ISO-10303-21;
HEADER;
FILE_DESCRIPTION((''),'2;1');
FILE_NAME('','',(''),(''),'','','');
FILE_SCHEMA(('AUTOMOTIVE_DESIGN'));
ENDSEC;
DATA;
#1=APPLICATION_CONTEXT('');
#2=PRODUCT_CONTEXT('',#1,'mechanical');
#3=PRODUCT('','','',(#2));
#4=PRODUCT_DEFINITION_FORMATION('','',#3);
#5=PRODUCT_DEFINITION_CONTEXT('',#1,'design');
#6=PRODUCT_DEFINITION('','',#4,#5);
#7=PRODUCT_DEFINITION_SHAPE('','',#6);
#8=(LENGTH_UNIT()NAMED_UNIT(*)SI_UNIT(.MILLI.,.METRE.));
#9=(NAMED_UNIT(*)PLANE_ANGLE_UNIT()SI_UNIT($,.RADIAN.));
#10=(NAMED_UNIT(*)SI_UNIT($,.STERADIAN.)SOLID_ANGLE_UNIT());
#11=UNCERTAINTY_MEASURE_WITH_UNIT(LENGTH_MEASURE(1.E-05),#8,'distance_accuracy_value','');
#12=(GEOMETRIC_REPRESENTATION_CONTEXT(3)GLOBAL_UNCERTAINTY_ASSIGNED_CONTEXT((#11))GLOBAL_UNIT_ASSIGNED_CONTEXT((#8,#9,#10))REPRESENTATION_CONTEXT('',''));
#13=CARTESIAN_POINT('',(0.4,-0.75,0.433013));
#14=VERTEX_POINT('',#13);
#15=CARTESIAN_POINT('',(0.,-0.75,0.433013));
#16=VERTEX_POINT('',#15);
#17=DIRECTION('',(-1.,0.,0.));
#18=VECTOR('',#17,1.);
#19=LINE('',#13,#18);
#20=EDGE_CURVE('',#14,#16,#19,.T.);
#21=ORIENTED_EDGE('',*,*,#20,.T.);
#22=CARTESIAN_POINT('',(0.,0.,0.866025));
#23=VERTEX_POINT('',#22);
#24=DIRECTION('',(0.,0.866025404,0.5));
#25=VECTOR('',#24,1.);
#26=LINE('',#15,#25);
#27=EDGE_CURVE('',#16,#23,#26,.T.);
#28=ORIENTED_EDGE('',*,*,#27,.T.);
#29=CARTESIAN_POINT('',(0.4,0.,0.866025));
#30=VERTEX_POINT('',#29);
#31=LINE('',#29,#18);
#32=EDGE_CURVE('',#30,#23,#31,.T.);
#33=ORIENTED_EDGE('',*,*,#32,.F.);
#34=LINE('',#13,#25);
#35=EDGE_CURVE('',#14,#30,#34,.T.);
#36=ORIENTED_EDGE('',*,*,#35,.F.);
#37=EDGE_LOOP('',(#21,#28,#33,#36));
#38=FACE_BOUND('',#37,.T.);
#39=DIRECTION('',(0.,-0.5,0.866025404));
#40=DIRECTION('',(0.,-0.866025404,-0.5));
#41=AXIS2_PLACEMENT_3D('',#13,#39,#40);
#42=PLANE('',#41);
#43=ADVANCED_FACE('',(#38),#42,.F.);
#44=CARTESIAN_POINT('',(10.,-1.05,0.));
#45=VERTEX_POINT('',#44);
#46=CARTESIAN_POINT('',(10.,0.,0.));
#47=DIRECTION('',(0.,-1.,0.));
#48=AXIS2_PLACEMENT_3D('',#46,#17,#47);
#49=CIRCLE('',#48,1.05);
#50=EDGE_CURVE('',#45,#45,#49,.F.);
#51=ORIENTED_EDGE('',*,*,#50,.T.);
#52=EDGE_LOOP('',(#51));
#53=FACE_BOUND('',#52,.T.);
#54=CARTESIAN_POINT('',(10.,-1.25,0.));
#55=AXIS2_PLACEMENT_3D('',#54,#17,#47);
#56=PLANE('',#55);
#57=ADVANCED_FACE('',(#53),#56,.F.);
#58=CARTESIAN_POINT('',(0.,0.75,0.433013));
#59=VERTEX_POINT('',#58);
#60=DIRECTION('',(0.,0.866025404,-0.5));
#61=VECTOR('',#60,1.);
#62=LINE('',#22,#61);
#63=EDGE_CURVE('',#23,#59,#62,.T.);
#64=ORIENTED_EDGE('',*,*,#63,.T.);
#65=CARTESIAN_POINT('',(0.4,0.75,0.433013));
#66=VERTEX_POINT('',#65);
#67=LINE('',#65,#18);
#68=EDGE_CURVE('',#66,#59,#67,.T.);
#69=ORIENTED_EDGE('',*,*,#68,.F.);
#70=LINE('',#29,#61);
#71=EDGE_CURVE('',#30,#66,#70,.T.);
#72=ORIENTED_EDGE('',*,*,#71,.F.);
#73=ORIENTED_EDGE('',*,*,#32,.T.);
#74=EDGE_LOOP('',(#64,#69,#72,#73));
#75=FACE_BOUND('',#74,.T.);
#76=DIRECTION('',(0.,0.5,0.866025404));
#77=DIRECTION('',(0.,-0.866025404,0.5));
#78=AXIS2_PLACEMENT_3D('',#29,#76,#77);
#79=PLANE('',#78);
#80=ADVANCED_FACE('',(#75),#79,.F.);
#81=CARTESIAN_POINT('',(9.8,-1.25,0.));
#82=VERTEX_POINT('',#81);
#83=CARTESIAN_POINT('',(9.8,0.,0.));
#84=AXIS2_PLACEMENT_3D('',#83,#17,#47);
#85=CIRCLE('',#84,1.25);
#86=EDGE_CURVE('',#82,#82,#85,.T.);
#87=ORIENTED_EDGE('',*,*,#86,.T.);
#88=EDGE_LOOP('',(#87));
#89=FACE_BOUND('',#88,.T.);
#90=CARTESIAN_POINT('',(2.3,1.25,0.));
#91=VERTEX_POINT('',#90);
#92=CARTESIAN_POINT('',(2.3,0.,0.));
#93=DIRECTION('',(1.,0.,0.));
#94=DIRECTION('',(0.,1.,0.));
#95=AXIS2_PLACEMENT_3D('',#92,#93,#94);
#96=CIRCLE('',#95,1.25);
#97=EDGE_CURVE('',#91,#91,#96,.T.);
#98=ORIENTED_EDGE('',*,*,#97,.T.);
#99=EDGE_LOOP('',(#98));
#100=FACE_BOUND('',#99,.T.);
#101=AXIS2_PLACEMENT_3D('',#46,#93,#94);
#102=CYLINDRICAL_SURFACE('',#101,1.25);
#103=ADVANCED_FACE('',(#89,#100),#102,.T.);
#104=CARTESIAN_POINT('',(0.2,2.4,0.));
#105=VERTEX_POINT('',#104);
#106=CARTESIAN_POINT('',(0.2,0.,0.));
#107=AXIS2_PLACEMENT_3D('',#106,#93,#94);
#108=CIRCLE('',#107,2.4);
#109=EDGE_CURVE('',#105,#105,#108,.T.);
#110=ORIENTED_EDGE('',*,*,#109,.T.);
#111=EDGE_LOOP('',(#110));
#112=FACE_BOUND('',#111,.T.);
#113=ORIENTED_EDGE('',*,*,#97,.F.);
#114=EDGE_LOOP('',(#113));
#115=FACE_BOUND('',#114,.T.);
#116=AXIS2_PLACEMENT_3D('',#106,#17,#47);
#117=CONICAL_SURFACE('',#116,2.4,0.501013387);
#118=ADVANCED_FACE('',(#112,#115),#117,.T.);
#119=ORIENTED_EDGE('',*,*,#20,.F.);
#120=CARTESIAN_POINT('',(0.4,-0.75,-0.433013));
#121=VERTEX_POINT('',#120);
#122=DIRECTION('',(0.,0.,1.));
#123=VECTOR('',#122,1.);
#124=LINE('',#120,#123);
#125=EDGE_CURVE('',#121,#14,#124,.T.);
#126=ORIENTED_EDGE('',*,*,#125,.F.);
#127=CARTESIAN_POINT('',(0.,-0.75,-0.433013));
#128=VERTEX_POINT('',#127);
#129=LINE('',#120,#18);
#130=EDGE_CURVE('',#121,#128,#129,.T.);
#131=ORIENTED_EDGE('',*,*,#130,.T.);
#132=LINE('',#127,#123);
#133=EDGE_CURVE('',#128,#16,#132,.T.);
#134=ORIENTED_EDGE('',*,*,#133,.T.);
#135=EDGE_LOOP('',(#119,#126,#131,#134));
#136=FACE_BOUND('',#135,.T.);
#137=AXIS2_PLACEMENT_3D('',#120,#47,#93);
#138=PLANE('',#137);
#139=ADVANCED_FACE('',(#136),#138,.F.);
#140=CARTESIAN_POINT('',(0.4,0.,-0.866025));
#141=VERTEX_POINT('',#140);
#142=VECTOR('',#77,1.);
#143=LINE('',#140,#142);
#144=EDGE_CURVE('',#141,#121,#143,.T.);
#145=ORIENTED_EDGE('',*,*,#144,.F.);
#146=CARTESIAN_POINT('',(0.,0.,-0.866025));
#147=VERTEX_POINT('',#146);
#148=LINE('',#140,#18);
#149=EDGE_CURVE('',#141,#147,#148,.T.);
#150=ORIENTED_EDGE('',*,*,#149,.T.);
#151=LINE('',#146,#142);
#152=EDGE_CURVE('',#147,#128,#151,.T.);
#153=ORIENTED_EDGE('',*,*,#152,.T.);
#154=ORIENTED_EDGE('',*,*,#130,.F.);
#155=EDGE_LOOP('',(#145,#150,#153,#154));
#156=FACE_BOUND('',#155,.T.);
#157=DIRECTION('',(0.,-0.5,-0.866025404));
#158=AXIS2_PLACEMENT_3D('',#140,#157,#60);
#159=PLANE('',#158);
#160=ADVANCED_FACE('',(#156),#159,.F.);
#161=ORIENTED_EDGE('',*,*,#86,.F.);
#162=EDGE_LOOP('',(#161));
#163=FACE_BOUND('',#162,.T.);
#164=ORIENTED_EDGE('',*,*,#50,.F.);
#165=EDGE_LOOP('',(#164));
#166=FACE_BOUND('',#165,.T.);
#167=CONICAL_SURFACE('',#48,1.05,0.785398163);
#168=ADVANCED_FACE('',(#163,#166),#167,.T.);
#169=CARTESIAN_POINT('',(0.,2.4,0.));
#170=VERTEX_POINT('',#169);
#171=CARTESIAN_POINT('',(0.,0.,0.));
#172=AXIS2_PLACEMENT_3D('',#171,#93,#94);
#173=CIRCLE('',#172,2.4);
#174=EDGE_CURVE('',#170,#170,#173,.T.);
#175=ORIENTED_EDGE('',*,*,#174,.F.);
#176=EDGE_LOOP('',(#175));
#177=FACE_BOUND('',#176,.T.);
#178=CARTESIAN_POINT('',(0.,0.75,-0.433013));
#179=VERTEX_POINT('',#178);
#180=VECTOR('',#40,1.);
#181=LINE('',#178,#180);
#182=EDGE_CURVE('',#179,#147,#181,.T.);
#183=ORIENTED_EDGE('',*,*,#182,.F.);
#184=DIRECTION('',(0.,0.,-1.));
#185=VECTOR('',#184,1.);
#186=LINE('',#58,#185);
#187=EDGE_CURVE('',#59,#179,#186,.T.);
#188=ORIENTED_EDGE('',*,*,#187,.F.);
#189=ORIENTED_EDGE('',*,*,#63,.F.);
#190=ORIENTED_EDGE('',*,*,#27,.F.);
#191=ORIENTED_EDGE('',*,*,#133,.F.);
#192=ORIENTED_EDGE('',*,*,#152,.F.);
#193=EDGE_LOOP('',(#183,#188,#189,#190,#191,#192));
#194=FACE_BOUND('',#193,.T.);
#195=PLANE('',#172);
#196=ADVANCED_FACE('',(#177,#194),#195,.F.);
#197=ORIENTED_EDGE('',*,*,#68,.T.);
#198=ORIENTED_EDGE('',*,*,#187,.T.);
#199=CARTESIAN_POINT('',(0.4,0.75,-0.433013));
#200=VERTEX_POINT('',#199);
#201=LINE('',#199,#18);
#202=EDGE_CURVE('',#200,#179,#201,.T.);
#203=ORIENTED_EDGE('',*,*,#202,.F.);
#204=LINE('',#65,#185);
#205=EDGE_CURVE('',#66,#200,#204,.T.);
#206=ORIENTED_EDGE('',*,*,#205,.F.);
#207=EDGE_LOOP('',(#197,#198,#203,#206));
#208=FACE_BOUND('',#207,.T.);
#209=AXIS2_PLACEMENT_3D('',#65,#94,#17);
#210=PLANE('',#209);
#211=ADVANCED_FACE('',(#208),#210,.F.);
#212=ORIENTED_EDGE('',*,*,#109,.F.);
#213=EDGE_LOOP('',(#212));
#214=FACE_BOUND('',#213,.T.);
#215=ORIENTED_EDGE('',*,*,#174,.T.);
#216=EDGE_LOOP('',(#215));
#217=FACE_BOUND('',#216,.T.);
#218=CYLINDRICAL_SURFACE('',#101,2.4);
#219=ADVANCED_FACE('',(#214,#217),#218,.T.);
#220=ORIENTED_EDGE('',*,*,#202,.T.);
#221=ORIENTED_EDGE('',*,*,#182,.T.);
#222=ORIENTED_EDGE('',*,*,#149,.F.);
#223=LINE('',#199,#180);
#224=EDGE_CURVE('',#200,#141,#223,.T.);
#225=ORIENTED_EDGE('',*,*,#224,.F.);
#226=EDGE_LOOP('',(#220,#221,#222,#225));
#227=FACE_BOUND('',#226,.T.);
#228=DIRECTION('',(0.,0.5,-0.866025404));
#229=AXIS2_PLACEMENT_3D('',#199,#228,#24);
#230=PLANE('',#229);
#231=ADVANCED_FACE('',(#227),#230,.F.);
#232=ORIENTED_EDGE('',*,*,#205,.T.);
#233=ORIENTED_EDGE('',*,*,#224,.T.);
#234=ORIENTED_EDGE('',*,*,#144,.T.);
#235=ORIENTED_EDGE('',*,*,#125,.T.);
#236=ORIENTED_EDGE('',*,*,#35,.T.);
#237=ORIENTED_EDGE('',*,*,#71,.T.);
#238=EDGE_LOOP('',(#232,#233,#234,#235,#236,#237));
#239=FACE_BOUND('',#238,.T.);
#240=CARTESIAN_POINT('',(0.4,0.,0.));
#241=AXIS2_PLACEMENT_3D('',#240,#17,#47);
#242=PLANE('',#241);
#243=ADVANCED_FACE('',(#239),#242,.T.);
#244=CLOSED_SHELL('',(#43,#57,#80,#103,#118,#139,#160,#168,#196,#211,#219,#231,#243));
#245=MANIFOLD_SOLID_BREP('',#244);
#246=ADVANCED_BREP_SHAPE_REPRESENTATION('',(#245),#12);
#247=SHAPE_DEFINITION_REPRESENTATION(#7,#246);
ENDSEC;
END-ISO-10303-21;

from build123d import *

# Parameters (mm, degrees)
CUT_EXTRUDE_1_DEPTH = 0.4
CHAMFER_1_SIZE      = 0.2


with BuildPart() as part:
    # 草图1 → 旋转1 (revolve)
    with BuildSketch(Plane.XY, mode=Mode.PRIVATE) as revolve_1_sk:
        Polygon((0, 0), (0, -2.4), (0.2, -2.4), (2.3, -1.25), (10, -1.25), (10, 0), align=None)
    revolve(revolve_1_sk.sketch.rotate(Axis((10, 0, 0), (-1, 0, 0)), 180), axis=Axis((10, 0, 0), (-1, 0, 0)))

    # 草图2 → 切除-拉伸1 (cut)
    with BuildSketch(Plane.ZY):
        Polygon((0.866025404, 0), (0.433012702, 0.75), (-0.433012702, 0.75), (-0.866025404, 0), (-0.433012702, -0.75), (0.433012702, -0.75), align=None)
    extrude(amount=-CUT_EXTRUDE_1_DEPTH, mode=Mode.SUBTRACT)

    # 倒角1
    chamfer_1_edges = [part.edges().sort_by_distance(p)[0] for p in [
        (10, -1.25, 0),
    ]]
    chamfer(chamfer_1_edges, length=CHAMFER_1_SIZE)


solid = part.part
